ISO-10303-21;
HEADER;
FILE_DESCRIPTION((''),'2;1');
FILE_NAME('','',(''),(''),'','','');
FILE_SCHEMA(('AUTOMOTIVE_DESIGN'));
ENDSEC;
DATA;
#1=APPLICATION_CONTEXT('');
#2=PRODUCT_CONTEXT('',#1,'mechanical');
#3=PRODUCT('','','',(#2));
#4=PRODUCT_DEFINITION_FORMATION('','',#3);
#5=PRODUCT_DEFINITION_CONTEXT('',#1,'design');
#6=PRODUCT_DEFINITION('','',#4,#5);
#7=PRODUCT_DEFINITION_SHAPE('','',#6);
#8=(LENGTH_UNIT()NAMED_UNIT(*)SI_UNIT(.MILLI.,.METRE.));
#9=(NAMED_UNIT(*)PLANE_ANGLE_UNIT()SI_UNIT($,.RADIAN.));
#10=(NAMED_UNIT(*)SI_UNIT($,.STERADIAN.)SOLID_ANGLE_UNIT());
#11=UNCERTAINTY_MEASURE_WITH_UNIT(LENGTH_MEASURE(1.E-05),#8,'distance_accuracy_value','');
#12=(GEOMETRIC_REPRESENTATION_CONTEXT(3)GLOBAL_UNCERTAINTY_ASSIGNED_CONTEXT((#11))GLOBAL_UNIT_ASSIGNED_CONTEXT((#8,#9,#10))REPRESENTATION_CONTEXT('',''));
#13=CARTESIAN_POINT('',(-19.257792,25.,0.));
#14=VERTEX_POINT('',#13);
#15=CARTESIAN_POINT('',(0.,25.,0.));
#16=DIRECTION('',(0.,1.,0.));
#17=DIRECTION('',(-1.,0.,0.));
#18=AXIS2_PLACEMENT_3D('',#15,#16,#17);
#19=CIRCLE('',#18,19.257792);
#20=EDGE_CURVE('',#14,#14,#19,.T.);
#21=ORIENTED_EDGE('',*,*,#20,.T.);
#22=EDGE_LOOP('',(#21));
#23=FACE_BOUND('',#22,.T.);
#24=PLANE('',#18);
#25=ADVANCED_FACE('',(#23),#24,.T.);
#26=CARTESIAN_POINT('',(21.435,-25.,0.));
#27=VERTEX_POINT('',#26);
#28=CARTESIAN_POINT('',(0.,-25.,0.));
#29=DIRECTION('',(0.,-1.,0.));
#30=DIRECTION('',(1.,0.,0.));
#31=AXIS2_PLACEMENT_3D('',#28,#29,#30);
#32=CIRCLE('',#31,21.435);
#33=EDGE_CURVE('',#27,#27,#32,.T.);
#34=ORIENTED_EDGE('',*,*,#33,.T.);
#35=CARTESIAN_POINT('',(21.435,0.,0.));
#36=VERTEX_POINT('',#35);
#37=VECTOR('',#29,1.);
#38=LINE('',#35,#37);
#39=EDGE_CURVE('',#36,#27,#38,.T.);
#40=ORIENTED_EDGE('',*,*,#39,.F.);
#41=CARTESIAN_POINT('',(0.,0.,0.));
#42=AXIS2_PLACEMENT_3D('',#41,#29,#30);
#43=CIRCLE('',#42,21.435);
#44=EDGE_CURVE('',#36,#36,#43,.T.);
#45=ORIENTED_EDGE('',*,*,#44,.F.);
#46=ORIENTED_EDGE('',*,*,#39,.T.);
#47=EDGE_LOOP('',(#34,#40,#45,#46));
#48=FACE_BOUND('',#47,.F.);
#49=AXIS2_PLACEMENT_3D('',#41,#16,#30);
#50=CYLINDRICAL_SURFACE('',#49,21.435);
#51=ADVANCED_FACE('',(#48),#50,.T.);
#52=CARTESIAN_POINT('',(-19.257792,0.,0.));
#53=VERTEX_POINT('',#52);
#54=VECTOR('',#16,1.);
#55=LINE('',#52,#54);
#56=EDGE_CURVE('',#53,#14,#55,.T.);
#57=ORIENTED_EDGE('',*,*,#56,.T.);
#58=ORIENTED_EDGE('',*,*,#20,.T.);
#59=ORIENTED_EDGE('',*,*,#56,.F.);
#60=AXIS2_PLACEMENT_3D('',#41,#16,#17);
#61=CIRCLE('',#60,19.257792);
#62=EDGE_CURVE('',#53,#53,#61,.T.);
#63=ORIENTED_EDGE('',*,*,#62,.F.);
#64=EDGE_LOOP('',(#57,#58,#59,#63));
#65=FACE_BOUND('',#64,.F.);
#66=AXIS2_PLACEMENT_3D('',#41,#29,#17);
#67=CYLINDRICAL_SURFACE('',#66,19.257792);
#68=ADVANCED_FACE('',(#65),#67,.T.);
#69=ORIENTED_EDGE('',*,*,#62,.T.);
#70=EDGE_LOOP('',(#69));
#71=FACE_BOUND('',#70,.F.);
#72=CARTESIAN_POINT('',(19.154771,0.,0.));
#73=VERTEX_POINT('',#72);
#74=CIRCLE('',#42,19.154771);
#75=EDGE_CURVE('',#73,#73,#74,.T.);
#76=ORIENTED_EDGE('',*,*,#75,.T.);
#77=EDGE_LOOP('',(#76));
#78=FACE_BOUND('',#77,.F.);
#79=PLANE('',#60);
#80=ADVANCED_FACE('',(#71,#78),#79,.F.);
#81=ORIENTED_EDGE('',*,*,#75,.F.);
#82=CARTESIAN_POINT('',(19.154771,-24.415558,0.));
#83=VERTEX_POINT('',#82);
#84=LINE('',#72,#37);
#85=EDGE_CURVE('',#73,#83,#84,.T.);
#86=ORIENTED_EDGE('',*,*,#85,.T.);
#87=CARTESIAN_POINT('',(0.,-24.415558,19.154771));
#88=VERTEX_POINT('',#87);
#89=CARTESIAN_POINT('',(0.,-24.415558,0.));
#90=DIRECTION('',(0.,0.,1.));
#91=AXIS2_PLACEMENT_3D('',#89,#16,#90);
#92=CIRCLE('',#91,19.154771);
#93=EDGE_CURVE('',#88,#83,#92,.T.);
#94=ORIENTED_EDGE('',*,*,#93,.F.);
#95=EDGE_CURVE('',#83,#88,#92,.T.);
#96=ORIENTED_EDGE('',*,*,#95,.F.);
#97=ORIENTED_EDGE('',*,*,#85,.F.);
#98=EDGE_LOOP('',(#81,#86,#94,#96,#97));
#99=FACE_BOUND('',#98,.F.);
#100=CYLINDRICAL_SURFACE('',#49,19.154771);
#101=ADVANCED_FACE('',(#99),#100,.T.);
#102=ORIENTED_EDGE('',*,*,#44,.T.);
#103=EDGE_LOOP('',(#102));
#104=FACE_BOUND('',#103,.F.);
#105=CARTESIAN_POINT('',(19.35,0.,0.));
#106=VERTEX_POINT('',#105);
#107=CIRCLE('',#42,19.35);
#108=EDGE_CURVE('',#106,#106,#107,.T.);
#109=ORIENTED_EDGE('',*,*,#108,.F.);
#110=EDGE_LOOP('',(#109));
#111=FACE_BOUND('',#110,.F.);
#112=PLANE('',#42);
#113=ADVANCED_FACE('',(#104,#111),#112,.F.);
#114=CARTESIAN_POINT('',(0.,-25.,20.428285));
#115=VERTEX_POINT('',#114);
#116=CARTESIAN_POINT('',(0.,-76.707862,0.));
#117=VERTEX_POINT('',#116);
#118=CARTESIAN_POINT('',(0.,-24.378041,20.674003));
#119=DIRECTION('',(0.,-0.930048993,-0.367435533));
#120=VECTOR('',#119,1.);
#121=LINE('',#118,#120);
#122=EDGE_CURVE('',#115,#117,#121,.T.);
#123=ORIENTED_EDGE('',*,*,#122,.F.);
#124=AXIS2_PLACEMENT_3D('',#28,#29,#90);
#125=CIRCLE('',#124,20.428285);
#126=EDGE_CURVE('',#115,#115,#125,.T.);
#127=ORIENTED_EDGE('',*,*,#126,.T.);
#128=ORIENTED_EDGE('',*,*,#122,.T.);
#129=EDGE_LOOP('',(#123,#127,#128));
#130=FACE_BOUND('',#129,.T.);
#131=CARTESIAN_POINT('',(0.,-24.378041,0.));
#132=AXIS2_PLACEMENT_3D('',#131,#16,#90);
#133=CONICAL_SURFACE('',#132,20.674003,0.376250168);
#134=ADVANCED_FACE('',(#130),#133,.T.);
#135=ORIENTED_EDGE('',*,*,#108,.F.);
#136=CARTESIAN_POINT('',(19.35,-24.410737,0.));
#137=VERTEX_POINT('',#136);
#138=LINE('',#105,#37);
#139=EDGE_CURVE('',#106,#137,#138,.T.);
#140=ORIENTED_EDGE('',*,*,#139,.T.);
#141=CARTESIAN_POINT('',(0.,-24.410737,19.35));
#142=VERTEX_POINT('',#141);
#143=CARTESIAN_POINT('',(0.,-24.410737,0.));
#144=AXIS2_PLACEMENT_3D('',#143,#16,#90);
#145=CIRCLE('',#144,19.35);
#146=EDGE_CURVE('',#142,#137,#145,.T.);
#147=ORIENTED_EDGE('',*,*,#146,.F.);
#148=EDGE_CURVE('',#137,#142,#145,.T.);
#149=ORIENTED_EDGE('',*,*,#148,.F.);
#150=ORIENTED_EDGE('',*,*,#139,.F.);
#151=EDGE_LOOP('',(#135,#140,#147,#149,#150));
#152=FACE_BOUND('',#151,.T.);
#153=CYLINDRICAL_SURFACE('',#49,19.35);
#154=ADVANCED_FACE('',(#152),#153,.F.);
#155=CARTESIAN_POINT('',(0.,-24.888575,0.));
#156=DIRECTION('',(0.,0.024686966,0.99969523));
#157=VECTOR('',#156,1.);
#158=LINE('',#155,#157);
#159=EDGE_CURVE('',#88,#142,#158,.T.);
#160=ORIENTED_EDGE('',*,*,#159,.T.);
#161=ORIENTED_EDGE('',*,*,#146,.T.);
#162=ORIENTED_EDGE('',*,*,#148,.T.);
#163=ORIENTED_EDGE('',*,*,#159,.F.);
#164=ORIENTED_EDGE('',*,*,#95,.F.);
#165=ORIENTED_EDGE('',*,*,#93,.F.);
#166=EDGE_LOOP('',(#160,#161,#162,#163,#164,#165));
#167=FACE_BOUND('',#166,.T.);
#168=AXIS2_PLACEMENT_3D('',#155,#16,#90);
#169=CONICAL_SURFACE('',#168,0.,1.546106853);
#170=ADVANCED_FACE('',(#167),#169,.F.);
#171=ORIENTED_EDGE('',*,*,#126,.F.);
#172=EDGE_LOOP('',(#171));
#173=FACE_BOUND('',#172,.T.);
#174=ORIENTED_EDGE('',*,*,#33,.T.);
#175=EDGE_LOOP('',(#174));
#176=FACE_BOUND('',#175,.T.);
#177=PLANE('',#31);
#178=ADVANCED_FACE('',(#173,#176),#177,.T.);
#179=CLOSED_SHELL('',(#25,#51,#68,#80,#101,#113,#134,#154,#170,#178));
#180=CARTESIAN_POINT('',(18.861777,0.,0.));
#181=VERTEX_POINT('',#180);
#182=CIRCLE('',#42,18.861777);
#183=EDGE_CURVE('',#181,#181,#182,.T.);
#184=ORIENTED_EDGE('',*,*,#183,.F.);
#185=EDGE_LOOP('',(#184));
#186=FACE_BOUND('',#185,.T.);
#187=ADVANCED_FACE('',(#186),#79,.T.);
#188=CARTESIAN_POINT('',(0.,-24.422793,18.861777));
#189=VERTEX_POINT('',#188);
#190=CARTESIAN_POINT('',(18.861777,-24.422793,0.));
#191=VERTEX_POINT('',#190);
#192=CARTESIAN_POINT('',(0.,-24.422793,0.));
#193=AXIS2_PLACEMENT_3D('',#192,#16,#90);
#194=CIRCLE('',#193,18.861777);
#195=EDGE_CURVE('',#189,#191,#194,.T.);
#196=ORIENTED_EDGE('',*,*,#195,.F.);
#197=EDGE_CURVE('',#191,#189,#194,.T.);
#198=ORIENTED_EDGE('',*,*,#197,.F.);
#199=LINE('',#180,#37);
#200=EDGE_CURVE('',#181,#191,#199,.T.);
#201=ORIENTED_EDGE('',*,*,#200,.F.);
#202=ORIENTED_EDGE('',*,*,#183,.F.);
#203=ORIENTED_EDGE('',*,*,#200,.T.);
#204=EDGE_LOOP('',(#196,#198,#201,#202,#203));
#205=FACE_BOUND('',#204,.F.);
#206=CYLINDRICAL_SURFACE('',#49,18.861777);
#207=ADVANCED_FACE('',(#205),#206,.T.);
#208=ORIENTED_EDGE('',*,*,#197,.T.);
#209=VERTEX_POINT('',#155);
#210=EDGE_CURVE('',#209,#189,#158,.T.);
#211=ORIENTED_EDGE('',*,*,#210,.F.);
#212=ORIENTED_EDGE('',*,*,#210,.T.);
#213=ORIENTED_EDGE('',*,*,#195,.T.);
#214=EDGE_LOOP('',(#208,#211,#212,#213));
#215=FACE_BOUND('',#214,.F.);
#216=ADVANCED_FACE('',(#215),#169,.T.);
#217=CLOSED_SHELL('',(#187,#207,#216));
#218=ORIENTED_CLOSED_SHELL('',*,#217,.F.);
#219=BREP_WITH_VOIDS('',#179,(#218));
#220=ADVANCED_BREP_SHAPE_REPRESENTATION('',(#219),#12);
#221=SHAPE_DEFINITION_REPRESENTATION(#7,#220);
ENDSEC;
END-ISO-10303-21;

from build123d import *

# Parameters (mm, degrees)
F0_R     = 21.435
F0_R_2   = 19.35
F1_DEPTH = 25
F5_R     = 19.154771
F5_R_2   = 18.861777
F6_DEPTH = 25
F4_R     = 19.257792
F7_DEPTH = 25


with BuildPart() as f1:
    # F0 (on Front) → F1 (new body)
    with BuildSketch(Plane.XZ):
        Circle(F0_R)
        Circle(F0_R_2, mode=Mode.SUBTRACT)
    extrude(amount=F1_DEPTH)

    # F2 (on Right) → F3 (revolve)
    with BuildSketch(Plane.YZ):
        Polygon((-76.707862, 0), (-24.888575, 0), (-24.378041, 20.674003), align=None)
    revolve(axis=Axis((0, -6.062602, 0), (0, -1, 0)))

    # F5 (on Front) → F6 (join)
    with BuildSketch(Plane.XZ):
        Circle(F5_R)
        Circle(F5_R_2, mode=Mode.SUBTRACT)
    extrude(amount=F6_DEPTH)

    # F4 (on face) → F7 (join)
    with BuildSketch(Plane(origin=(0, 0, 0), x_dir=(-1, 0, 0), z_dir=(0, 1, 0))):
        Circle(F4_R)
    extrude(amount=F7_DEPTH)


solid = f1.part
